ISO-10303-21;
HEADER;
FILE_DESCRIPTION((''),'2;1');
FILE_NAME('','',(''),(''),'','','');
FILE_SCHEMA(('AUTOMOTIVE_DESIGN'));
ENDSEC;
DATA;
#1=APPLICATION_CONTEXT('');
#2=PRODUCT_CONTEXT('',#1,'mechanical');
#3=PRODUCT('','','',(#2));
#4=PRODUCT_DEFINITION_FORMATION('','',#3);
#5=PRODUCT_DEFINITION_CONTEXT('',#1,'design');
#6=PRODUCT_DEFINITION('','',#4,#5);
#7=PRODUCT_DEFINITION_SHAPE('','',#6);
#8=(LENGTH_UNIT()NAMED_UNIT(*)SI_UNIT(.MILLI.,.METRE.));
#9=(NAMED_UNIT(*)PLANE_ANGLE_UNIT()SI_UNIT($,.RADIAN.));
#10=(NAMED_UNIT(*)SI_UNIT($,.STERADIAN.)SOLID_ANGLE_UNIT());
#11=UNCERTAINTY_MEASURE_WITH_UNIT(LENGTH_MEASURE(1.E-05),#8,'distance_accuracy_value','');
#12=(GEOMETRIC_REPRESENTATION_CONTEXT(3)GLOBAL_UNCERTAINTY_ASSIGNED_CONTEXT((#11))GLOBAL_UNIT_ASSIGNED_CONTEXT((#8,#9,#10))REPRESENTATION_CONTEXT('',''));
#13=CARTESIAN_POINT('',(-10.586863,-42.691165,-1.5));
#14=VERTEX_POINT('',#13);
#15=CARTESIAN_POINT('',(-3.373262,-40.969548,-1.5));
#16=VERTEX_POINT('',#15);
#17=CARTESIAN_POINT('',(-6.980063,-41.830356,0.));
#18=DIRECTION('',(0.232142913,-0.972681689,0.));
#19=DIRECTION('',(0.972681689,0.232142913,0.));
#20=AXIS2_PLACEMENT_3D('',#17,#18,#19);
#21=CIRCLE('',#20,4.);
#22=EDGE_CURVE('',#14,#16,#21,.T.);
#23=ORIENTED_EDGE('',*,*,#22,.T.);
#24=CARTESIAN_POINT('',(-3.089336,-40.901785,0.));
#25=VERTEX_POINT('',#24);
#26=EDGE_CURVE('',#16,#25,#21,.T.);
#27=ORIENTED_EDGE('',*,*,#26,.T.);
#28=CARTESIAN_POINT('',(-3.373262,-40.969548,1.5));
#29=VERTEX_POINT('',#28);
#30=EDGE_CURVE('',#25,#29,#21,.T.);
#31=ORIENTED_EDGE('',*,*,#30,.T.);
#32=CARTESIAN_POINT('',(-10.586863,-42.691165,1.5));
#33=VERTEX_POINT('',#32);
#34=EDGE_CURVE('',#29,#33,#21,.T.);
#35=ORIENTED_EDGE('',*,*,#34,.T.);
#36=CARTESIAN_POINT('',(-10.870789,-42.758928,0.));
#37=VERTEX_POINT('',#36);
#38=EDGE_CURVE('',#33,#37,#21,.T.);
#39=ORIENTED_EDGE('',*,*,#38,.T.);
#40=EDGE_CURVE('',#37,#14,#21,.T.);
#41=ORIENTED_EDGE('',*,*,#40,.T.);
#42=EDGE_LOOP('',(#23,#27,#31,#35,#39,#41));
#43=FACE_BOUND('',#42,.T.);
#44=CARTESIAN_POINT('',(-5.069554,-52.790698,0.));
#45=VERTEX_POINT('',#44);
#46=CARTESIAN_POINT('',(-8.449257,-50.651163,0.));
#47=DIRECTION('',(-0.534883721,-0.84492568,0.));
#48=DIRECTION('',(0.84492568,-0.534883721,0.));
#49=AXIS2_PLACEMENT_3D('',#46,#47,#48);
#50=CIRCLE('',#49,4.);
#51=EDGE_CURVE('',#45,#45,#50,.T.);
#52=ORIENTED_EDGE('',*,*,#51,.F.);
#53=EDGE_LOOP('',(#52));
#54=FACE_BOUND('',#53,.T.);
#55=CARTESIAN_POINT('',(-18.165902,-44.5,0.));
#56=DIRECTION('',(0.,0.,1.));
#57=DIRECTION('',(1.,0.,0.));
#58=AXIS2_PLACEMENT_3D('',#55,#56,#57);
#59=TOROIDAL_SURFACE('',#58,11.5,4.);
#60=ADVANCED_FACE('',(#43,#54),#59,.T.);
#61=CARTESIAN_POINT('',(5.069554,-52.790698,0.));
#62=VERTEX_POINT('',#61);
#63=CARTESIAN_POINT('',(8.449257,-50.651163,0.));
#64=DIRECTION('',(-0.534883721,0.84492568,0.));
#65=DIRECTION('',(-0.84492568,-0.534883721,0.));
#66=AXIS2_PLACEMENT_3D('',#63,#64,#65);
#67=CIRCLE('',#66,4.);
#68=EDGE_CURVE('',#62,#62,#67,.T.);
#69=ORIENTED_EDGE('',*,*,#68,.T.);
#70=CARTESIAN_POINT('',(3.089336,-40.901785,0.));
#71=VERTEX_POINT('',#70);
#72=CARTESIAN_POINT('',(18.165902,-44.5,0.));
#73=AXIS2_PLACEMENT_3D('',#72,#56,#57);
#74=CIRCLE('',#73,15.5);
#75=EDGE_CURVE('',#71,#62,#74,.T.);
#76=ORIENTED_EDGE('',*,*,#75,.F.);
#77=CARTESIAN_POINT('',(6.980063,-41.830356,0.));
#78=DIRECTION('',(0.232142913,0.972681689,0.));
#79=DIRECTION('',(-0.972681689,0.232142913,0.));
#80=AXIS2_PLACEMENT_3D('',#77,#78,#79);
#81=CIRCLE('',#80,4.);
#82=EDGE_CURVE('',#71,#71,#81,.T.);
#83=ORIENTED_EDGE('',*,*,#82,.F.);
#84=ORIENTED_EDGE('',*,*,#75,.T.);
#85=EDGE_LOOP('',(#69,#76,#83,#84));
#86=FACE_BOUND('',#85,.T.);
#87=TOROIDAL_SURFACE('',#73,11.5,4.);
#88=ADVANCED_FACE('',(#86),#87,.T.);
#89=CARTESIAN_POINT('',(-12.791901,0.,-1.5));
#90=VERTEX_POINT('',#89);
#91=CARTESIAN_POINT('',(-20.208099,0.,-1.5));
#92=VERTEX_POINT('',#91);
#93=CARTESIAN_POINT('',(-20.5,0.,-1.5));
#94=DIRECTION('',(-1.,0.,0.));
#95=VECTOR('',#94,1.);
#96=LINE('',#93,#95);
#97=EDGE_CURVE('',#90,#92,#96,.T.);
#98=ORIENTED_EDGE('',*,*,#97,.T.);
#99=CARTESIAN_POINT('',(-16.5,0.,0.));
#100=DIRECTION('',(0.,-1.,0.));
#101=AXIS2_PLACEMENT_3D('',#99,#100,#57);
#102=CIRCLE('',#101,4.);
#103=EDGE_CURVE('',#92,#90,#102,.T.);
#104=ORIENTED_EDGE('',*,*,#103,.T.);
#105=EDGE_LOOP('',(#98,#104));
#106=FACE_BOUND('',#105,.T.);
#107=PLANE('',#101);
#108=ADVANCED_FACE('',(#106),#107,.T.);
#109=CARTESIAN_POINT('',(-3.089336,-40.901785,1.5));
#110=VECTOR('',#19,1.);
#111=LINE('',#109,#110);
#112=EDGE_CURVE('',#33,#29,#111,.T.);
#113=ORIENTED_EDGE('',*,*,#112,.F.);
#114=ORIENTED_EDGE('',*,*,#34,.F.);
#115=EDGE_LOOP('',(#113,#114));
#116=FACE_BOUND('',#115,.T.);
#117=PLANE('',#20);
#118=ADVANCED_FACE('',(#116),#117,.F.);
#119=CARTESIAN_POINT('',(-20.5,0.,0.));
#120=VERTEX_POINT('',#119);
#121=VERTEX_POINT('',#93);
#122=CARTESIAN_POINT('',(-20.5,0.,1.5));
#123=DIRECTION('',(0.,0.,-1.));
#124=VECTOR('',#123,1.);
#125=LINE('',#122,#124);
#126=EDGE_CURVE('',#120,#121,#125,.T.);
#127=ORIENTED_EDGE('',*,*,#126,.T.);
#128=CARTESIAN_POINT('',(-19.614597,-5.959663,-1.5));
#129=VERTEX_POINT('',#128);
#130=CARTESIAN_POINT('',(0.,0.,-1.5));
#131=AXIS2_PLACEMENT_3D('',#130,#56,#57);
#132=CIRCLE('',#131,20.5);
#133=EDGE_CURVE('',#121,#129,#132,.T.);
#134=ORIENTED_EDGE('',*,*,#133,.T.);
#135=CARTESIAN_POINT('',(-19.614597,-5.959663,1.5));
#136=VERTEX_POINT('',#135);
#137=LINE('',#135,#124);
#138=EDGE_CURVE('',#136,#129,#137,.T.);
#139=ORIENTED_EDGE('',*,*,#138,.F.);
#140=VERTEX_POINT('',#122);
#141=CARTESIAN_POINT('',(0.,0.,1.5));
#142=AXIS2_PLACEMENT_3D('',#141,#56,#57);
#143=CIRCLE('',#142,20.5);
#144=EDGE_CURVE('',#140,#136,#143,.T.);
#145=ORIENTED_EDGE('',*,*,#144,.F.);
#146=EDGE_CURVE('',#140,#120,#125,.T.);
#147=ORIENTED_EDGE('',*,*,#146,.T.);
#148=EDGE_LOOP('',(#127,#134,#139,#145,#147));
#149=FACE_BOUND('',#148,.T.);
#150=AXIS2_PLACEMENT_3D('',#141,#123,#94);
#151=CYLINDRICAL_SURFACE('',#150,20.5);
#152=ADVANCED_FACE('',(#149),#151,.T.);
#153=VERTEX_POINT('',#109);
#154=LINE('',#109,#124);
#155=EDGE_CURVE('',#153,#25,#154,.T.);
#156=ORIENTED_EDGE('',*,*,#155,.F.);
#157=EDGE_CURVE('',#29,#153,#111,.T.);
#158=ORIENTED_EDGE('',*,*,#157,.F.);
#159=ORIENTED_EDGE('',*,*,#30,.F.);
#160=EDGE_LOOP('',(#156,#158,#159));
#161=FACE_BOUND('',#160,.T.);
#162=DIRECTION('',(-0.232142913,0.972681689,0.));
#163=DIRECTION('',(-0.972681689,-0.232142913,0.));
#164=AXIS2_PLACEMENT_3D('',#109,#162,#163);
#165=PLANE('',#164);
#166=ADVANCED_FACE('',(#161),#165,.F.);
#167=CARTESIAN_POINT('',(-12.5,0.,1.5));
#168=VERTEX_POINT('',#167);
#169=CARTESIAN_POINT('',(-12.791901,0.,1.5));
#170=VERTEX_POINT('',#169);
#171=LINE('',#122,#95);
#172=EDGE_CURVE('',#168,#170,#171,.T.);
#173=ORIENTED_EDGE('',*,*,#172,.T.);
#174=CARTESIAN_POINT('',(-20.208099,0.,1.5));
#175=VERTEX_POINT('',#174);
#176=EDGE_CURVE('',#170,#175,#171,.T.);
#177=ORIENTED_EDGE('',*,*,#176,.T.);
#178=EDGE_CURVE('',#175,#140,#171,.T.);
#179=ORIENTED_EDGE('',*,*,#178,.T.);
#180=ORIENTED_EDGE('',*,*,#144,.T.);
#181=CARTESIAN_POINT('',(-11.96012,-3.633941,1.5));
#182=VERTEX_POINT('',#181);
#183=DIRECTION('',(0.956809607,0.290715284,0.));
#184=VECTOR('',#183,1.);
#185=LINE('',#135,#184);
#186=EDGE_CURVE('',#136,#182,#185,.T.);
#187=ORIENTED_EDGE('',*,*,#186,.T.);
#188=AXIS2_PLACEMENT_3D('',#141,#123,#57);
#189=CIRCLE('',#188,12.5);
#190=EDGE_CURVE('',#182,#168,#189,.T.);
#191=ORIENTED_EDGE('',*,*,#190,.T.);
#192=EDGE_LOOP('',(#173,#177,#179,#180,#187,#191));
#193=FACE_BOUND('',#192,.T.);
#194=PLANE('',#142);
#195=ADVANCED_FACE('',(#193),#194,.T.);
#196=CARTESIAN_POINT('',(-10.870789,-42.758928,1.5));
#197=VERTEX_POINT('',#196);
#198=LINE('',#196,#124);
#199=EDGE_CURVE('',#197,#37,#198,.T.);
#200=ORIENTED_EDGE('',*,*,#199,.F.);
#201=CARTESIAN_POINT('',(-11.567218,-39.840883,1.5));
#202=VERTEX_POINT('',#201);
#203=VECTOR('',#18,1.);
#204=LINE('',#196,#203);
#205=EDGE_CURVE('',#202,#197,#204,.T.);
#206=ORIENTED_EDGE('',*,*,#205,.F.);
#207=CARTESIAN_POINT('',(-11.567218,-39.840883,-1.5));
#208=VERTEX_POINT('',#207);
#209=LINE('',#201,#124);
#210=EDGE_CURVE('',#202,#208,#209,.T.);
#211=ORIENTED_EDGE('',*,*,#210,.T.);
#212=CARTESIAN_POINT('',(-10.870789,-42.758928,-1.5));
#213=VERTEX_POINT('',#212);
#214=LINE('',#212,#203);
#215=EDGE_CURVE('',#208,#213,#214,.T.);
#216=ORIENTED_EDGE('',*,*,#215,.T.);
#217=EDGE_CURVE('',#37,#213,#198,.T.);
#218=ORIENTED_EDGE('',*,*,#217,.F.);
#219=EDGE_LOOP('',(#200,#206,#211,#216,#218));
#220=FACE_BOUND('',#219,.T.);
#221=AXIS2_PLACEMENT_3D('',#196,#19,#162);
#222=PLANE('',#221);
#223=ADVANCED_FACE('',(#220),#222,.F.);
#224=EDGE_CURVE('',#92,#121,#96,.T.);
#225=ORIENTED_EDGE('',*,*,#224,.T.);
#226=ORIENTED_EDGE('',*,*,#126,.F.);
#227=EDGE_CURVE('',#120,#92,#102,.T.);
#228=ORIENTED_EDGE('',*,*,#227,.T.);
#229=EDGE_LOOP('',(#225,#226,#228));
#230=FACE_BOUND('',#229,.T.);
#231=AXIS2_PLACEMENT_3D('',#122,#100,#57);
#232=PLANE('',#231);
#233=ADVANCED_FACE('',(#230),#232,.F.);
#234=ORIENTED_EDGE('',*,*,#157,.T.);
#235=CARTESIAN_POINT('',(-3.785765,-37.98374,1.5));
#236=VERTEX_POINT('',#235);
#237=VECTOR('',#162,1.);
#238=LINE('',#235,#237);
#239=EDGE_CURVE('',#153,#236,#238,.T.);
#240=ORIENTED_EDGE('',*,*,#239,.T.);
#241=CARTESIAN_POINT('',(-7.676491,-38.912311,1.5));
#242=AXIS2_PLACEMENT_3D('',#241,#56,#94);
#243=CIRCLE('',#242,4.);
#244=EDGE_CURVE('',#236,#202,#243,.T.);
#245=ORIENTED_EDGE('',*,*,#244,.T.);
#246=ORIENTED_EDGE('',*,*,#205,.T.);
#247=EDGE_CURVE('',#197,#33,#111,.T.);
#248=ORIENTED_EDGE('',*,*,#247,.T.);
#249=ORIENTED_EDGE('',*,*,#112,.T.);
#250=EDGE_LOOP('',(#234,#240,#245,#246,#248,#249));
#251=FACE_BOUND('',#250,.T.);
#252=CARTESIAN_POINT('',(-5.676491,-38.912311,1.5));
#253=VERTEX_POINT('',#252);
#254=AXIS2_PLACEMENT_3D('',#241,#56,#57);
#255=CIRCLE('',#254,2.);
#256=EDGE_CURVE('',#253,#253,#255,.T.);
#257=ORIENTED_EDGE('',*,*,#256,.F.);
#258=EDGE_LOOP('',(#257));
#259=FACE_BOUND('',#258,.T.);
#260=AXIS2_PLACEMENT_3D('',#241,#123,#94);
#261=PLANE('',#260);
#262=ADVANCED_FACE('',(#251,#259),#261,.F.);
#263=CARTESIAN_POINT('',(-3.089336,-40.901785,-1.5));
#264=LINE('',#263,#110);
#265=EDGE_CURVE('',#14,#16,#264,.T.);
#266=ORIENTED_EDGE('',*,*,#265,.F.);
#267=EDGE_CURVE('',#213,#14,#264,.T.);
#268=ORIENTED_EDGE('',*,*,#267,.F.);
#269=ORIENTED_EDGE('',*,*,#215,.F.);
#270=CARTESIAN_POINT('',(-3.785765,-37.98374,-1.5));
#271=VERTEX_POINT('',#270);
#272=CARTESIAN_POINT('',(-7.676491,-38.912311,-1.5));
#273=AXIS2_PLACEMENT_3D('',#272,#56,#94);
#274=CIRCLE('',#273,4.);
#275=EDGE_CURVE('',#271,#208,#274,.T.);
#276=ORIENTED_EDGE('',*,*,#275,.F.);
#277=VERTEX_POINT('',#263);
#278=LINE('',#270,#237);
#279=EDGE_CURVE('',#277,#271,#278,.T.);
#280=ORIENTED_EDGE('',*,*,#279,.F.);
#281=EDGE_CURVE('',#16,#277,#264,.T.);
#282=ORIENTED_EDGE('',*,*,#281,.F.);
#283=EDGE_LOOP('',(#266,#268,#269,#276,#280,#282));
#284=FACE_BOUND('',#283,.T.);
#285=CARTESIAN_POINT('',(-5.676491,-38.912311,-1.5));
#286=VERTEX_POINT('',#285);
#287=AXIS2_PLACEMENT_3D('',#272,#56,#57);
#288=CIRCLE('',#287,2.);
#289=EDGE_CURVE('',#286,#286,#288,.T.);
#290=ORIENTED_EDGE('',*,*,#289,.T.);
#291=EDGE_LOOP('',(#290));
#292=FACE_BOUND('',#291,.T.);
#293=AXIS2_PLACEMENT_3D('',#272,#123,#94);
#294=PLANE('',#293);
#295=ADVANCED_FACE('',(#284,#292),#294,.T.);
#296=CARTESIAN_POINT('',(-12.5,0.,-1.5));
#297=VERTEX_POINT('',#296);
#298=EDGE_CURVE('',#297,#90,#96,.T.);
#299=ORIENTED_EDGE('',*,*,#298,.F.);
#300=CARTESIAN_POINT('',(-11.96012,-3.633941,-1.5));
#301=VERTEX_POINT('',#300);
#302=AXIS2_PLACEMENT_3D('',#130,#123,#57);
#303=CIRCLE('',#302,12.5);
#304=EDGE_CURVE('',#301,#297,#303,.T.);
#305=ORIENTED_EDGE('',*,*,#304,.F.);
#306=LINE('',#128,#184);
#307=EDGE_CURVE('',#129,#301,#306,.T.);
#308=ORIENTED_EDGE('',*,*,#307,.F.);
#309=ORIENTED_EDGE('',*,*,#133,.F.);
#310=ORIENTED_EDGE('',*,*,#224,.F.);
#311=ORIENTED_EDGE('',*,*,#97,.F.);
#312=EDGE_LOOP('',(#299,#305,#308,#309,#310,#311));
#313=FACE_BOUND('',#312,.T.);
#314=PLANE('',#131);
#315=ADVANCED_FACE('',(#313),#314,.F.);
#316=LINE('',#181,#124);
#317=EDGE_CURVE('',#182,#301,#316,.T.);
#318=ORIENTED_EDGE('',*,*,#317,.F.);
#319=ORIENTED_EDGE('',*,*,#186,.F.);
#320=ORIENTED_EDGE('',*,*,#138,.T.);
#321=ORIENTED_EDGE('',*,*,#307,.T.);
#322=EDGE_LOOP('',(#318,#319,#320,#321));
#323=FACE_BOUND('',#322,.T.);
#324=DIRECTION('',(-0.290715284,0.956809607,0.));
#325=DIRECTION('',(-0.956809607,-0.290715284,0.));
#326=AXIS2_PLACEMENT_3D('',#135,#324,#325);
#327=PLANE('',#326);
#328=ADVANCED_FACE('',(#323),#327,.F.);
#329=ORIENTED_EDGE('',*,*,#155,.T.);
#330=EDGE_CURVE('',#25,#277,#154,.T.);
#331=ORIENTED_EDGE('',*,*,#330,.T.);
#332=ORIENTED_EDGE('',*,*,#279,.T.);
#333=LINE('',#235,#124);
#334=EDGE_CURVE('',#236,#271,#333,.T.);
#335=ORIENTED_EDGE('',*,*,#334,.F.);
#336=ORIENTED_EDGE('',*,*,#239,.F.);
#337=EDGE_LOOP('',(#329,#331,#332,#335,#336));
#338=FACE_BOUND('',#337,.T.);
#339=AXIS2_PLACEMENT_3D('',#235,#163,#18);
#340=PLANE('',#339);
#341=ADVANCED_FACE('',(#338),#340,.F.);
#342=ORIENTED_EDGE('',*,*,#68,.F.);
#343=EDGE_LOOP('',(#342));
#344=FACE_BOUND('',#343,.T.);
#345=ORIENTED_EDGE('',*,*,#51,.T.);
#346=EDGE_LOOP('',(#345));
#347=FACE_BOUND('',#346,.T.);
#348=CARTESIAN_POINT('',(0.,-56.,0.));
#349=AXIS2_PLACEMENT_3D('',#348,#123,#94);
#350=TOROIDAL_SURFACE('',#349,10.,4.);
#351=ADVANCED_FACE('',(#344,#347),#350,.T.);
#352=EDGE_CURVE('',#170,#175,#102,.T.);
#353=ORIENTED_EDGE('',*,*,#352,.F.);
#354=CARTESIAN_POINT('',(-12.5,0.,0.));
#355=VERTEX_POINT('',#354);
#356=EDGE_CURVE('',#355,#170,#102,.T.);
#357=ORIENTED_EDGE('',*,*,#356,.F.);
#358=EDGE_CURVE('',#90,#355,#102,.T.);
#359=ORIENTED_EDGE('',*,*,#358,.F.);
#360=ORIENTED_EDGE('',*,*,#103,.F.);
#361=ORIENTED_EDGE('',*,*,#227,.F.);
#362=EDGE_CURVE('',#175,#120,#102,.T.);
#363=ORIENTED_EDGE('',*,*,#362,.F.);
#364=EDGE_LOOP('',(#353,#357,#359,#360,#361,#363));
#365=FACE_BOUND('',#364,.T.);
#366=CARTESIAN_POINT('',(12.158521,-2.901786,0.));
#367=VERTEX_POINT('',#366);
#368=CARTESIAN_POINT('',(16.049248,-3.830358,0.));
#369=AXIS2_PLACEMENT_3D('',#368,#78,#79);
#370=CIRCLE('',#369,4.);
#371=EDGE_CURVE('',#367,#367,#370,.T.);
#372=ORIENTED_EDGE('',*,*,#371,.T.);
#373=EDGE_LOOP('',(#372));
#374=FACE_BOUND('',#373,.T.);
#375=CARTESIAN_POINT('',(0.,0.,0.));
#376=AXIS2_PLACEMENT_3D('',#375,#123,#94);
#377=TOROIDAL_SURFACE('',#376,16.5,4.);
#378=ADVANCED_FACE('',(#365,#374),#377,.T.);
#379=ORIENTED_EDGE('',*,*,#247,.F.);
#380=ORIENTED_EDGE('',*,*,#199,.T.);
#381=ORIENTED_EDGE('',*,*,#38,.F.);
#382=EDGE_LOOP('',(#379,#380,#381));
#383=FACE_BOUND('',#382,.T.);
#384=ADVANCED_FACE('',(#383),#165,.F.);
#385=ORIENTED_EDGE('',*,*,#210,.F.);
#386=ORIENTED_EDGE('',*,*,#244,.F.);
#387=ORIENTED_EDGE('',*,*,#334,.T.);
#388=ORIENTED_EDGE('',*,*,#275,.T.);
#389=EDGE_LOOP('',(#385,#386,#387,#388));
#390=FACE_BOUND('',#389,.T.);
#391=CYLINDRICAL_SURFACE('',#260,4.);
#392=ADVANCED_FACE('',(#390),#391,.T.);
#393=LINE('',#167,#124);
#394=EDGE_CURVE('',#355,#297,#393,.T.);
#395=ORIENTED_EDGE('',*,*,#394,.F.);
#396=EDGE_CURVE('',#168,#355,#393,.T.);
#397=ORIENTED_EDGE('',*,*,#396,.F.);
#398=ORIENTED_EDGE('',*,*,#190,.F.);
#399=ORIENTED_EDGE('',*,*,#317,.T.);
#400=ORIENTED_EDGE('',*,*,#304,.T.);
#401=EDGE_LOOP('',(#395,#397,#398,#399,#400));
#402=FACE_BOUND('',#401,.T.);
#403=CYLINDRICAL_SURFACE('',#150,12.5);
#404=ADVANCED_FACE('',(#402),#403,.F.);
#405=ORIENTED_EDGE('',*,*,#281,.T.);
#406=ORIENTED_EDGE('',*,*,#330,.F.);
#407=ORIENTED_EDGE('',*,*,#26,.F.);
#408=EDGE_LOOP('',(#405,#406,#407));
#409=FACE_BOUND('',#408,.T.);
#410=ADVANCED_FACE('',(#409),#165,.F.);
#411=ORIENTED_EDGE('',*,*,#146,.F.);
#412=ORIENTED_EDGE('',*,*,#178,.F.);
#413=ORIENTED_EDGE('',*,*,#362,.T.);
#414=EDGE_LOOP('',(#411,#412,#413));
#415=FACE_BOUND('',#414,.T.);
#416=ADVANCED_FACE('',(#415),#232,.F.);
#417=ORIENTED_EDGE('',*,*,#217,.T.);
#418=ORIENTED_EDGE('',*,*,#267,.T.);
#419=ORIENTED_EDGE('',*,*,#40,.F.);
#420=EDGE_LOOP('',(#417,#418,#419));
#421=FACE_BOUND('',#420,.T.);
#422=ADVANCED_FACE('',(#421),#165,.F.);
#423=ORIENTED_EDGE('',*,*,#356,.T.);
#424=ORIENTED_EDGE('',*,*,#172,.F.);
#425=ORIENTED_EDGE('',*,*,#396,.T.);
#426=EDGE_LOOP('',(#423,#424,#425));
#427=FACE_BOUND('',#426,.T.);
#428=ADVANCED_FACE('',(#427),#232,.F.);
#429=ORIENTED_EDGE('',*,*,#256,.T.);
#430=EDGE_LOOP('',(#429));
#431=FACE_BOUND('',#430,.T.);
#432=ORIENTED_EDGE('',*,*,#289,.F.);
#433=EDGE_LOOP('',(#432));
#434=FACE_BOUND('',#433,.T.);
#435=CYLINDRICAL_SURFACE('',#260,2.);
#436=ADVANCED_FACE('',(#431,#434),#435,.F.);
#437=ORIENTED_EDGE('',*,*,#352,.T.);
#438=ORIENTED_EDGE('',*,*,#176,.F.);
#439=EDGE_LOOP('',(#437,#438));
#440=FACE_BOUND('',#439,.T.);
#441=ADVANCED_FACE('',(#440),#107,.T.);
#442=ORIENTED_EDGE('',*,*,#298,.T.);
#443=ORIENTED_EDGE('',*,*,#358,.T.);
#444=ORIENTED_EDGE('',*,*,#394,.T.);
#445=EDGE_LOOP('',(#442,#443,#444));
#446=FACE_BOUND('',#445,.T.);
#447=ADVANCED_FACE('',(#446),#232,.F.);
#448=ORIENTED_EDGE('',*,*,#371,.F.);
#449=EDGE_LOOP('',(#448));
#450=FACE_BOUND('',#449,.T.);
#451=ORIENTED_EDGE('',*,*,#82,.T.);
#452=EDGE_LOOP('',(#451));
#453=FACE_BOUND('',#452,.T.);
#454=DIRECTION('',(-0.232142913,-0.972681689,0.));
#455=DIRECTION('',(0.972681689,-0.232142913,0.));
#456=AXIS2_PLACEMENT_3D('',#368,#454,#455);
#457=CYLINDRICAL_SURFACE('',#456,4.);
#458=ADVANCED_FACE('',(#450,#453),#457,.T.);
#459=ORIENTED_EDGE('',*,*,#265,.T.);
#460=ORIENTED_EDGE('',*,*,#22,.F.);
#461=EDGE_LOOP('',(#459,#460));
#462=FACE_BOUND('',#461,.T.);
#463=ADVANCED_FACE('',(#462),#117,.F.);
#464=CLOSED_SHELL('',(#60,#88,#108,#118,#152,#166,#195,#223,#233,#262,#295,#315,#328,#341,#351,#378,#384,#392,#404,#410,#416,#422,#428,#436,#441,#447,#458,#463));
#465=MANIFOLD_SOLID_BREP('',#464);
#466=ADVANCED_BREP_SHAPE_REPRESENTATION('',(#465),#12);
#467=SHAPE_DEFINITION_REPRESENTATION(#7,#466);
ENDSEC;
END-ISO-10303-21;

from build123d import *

# Parameters (mm, degrees)
SWEEP1_PROFILE_R    = 4
SKETCH12_R          = 2
BOSS_EXTRUDE1_DEPTH = 1.5


with BuildPart() as part:
    # Sweep1: sweep along a path in Sketch2
    with BuildLine(Plane.XY) as sweep1_path:
        ThreePointArc((-16.5, 0), (1.928394438, 16.38692451), (16.049247866, -3.83035807))
        Line((16.049247866, -3.83035807), (6.980062703, -41.830356497))
        ThreePointArc((6.980062703, -41.830356497), (6.822175971, -46.389411803), (8.449256802, -50.651162791))
        ThreePointArc((8.449256802, -50.651162791), (0, -66), (-8.449256802, -50.651162791))
        ThreePointArc((-8.449256802, -50.651162791), (-6.822175971, -46.389411803), (-6.980062703, -41.830356497))
    # Sweep1 profile (on start of the path) → Sweep1 (sweep)
    with BuildSketch(Plane(origin=(-16.5, 0, 0), x_dir=(1, 0, 0), z_dir=(0, 1, 0))):
        Circle(SWEEP1_PROFILE_R)
    sweep(path=sweep1_path.line)

    # Sketch12 → Boss-Extrude1 (add, symmetric)
    # profile 1 of 2: a face of its own
    with BuildSketch(Plane.XY):
        with BuildLine():
            Line((-19.614596936, -5.959663332), (-11.960120083, -3.633941056))
            ThreePointArc((-11.960120083, -3.633941056), (-12.364293369, -1.83691303), (-12.5, 0))
            Line((-12.5, 0), (-20.5, 0))
            ThreePointArc((-20.5, 0), (-20.277441125, -3.01253737), (-19.614596936, -5.959663332))
        make_face()
    # profile 2 of 2: a face of its own
    with BuildSketch(Plane.XY):
        with BuildLine():
            Line((-3.089335948, -40.901784844), (-10.870789458, -42.75892815))
            Line((-10.870789458, -42.75892815), (-11.567218198, -39.840883084))
            ThreePointArc((-11.567218198, -39.840883084), (-8.605063096, -35.021584675), (-3.785764688, -37.983739777))
            Line((-3.785764688, -37.983739777), (-3.089335948, -40.901784844))
        make_face()
        with Locations((-7.676491443, -38.91231143)):
            Circle(SKETCH12_R, mode=Mode.SUBTRACT)
    extrude(amount=BOSS_EXTRUDE1_DEPTH, both=True)


solid = part.part
